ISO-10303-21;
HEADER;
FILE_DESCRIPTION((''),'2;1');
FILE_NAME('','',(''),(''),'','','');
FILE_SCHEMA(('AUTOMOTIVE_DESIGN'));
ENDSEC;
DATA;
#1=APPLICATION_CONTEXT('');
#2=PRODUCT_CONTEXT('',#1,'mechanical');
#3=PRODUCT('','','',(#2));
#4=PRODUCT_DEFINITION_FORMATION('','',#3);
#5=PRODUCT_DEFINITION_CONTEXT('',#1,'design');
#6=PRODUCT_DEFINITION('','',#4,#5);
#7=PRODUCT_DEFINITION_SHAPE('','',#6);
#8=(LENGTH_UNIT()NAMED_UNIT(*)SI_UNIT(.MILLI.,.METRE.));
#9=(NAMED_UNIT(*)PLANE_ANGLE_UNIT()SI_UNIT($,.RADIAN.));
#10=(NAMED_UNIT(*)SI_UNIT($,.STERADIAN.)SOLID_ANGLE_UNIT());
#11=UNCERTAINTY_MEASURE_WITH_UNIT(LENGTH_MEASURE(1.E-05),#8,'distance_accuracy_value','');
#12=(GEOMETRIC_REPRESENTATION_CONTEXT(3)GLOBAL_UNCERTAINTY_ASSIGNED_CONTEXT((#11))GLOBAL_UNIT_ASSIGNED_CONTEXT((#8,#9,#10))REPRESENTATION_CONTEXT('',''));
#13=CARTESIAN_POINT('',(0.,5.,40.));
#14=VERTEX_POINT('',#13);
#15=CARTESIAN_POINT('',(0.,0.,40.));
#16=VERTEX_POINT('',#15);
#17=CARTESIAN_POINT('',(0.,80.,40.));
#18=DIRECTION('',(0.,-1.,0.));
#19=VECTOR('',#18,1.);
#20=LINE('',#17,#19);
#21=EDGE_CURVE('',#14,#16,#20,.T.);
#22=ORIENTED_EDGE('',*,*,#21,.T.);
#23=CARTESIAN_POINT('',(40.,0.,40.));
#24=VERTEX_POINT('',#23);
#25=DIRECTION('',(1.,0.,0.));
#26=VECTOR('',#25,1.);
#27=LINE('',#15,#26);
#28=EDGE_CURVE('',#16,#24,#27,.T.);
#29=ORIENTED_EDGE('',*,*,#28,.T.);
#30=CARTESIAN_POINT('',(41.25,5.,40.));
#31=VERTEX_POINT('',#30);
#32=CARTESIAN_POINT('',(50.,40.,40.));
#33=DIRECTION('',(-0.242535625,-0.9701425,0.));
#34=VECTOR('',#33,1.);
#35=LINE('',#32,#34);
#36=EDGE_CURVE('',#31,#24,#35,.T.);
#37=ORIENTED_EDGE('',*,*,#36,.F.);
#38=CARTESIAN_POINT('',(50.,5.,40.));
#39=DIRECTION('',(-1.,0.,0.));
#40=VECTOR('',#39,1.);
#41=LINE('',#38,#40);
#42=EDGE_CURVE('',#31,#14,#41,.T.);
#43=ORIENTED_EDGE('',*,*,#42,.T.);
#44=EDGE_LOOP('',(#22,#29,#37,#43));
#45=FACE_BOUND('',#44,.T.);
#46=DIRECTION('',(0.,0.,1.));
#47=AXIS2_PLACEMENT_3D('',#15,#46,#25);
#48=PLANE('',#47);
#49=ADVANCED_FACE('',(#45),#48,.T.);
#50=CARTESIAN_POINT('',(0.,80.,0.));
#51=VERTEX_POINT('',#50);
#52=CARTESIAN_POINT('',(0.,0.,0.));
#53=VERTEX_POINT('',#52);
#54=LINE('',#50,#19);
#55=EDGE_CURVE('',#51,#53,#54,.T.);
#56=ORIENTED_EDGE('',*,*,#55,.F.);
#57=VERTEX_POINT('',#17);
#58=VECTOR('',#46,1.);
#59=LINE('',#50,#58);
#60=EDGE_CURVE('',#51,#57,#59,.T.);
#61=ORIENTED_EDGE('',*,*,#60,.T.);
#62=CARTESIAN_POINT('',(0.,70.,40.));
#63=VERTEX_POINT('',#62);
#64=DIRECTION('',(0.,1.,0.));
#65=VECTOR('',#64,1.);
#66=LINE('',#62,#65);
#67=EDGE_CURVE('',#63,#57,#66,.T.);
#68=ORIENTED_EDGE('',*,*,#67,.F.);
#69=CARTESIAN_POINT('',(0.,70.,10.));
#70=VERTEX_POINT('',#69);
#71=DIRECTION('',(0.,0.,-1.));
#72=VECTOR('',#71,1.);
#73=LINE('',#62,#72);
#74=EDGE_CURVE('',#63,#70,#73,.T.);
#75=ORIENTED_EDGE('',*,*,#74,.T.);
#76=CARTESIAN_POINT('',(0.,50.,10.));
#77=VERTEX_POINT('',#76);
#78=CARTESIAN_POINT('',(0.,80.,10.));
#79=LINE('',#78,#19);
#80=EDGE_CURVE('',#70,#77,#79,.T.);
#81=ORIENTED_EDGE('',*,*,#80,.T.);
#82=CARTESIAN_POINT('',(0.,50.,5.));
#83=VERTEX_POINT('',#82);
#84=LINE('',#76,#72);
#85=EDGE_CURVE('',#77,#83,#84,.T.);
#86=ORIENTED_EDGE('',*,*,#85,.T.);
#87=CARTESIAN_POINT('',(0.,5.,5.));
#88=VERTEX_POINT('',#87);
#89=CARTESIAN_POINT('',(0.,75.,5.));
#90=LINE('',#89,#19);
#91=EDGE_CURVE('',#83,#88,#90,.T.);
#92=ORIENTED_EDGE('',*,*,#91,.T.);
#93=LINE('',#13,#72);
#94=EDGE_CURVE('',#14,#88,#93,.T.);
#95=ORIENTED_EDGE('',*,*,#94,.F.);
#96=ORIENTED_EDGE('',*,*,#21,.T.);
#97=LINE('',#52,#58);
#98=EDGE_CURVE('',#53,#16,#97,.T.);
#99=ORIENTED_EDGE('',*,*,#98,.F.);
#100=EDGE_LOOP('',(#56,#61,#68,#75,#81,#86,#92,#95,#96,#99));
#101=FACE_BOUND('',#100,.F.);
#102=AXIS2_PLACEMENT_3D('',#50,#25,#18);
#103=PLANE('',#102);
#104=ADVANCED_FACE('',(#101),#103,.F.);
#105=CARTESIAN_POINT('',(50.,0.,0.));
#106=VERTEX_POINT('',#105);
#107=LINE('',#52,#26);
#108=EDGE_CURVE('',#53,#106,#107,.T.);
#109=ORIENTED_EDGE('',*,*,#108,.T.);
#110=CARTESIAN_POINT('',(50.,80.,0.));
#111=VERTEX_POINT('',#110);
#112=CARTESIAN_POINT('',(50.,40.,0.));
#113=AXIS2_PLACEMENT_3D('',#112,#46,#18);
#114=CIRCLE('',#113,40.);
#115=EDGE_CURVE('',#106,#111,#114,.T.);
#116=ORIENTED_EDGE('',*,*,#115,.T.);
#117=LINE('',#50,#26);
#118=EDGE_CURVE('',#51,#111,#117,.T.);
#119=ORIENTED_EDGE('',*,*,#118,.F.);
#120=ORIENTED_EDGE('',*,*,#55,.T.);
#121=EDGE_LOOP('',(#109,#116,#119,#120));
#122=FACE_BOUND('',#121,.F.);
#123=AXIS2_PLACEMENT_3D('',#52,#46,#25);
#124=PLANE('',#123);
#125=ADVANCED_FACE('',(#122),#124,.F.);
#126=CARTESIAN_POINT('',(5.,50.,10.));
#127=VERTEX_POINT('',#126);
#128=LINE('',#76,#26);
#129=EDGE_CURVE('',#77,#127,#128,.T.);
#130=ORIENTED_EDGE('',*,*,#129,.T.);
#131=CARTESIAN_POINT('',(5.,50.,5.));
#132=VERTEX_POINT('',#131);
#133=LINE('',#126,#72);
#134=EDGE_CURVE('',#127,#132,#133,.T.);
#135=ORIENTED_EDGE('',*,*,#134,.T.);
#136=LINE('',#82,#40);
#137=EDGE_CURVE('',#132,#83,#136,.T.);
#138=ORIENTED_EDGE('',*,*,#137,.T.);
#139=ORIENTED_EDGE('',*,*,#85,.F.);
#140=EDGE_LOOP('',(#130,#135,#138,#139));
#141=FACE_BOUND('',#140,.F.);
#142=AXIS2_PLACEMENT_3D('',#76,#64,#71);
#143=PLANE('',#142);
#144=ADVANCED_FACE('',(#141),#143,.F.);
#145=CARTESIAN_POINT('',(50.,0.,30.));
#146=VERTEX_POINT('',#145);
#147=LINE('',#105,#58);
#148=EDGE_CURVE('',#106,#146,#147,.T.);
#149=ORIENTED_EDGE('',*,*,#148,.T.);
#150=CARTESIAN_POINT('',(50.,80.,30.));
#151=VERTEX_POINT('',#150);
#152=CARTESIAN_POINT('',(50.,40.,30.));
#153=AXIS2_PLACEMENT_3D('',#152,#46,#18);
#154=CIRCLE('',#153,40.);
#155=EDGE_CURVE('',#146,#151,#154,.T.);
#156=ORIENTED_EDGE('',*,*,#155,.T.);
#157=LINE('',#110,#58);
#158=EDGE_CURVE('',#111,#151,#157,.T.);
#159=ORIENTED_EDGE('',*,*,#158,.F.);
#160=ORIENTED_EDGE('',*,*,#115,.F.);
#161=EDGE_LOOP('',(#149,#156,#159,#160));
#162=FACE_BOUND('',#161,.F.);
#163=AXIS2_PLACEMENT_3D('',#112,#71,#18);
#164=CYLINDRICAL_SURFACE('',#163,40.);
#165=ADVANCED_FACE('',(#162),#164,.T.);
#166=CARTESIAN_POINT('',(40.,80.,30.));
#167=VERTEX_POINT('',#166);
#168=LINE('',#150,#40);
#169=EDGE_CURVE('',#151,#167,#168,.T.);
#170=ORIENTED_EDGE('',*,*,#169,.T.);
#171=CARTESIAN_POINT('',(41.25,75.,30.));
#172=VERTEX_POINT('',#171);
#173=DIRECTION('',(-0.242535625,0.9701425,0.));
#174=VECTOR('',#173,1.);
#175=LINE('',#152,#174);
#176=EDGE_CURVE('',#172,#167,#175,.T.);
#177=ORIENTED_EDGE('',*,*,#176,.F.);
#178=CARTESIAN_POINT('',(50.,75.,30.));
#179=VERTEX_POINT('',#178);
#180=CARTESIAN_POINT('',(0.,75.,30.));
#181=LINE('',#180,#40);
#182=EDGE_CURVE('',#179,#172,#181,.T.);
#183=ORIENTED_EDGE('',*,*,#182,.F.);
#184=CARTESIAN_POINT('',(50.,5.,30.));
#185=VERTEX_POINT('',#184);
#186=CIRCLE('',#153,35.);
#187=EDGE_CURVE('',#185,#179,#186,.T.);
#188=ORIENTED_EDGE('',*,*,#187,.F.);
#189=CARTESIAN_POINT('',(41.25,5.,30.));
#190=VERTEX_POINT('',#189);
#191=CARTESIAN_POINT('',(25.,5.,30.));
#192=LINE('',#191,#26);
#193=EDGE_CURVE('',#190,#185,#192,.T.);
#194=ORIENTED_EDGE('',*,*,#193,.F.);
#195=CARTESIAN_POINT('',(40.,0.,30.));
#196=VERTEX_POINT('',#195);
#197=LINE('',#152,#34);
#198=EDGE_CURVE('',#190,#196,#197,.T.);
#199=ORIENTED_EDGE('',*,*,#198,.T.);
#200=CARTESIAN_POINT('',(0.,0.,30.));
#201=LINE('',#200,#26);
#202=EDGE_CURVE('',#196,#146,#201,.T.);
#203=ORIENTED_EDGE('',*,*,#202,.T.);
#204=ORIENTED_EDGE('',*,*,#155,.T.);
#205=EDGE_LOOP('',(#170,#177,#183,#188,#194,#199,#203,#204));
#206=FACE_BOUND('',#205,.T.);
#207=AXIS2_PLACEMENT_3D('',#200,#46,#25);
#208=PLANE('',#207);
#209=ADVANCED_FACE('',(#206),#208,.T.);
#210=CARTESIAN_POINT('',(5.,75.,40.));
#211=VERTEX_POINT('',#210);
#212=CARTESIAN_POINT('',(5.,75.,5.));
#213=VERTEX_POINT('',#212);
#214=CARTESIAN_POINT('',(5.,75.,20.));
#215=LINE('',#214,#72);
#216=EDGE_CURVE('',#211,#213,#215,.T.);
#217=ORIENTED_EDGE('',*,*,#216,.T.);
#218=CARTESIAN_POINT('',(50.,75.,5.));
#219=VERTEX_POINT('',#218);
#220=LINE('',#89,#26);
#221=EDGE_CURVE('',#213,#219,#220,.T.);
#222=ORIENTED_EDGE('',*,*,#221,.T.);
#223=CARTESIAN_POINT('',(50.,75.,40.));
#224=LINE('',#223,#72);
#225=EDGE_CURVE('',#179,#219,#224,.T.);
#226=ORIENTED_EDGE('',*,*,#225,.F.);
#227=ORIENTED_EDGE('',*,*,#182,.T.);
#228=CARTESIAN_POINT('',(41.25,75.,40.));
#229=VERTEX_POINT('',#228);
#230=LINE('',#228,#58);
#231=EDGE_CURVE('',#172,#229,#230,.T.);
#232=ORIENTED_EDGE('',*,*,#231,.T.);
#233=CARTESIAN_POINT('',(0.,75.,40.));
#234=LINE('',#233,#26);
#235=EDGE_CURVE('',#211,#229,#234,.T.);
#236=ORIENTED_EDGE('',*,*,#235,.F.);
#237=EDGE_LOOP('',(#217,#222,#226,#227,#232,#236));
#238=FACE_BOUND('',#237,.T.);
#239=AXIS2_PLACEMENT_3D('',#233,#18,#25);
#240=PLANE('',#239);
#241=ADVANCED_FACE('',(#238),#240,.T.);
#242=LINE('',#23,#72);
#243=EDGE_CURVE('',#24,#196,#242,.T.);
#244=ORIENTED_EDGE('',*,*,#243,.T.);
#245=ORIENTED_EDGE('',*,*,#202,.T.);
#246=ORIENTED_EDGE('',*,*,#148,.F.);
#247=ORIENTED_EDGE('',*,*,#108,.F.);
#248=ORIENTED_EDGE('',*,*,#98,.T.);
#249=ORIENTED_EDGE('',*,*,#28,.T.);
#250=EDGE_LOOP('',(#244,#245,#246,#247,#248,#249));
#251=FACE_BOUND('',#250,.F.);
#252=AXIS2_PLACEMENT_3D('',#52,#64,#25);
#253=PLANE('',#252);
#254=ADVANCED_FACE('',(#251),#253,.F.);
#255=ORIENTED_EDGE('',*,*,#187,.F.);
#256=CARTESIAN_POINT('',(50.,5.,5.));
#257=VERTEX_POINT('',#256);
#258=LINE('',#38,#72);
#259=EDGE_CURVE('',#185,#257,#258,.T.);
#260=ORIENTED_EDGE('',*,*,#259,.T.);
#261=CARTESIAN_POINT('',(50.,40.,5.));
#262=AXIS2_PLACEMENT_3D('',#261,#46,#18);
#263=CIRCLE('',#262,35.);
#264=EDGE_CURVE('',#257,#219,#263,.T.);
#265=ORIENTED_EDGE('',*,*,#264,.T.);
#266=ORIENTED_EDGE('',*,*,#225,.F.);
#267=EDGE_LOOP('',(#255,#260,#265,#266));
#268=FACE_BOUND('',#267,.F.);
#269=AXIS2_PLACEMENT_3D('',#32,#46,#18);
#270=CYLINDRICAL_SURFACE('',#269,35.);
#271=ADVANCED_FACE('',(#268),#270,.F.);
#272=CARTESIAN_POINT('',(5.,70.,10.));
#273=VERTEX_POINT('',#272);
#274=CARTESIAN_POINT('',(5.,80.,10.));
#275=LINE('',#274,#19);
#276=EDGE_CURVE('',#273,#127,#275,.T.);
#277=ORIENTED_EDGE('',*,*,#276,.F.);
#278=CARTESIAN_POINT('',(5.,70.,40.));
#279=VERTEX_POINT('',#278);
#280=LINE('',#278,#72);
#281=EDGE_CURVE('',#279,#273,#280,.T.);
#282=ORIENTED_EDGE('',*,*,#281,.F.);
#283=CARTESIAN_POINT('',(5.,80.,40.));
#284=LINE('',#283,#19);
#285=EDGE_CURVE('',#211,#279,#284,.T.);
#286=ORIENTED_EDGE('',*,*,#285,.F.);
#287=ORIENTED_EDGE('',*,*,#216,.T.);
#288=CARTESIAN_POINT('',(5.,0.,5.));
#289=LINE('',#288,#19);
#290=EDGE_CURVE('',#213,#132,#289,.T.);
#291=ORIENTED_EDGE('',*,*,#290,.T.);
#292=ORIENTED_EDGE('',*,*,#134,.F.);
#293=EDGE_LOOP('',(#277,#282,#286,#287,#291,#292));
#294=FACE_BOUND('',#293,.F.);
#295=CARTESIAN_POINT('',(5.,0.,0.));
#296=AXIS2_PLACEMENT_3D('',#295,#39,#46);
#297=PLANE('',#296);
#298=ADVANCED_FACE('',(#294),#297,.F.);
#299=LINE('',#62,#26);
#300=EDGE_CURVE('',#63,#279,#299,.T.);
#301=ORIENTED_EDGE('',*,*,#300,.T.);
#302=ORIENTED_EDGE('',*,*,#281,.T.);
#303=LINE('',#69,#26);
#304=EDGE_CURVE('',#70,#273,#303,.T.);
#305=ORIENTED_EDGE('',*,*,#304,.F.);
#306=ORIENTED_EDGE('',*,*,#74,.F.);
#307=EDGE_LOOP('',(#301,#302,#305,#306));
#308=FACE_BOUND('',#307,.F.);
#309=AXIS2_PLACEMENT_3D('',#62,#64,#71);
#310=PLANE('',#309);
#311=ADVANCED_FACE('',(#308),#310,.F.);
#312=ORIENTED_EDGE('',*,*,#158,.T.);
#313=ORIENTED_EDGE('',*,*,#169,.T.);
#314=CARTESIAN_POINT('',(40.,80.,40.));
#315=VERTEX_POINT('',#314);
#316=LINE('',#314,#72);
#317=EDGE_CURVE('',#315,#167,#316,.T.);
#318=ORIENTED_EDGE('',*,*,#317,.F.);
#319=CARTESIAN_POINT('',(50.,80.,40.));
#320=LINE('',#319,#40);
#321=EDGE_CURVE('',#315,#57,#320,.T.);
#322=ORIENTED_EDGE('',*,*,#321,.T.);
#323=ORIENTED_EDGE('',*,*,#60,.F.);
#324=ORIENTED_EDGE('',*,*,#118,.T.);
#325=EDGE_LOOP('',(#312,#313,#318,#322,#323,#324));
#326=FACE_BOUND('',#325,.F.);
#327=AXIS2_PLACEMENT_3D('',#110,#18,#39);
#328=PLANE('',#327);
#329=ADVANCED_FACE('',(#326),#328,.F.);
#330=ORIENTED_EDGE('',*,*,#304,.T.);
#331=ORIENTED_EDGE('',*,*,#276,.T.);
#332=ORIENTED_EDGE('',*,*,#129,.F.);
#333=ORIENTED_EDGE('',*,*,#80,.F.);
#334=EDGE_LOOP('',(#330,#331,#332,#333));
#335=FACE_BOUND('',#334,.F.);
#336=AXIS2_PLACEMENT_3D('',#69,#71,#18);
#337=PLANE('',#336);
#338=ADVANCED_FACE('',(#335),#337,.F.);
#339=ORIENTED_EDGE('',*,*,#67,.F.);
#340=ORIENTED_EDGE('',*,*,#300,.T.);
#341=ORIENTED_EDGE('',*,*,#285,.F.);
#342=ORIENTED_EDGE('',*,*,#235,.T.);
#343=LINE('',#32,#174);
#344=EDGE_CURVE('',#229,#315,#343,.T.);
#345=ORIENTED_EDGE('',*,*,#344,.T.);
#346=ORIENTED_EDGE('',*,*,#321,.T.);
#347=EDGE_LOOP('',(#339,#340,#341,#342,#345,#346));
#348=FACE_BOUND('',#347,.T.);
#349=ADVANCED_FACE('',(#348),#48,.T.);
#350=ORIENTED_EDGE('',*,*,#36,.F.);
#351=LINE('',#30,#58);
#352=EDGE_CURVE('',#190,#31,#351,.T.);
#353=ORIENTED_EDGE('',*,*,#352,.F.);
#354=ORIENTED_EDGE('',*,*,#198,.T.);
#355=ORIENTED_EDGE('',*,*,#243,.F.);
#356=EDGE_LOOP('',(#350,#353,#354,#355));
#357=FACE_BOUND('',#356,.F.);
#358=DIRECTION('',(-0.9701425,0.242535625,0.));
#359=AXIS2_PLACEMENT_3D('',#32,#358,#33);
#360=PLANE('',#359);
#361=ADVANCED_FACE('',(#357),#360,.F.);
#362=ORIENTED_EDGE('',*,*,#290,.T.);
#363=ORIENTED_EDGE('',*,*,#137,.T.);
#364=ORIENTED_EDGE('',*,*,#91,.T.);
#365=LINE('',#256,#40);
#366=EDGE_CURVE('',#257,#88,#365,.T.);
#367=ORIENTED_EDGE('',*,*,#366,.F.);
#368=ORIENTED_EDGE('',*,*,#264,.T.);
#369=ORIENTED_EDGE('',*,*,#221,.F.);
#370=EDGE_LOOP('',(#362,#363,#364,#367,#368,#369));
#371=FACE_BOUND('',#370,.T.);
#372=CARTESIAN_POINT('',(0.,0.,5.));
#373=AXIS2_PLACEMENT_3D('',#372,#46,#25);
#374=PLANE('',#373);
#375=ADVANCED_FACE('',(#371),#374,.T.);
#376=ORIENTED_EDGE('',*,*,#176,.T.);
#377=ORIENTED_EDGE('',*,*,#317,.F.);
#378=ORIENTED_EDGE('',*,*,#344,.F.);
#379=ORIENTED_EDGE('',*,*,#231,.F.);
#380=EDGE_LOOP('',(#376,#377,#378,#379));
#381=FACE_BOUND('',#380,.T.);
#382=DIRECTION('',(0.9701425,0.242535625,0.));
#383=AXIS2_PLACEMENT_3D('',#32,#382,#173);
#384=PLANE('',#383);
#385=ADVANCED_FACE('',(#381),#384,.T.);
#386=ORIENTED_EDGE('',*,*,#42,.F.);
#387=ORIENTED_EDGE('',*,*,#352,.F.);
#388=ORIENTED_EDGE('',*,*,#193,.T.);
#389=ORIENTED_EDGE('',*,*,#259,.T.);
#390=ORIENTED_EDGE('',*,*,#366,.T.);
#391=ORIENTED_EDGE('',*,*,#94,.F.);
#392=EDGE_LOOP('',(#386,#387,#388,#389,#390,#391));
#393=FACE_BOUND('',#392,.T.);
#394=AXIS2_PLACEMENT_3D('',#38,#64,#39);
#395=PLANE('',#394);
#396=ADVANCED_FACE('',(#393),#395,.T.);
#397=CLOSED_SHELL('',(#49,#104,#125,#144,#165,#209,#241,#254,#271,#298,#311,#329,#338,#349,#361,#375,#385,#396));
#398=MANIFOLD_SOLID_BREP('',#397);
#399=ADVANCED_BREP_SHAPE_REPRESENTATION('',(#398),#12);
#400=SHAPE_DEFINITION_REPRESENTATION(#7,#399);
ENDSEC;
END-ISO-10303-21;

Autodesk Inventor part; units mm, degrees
ref_plane "YZ Plane" through (0, 0, 0) normal (1, 0, 0) x (0, 1, 0)
ref_plane "XZ Plane" through (0, 0, 0) normal (0, 1, 0) x (-1, 0, 0)
ref_plane "XY Plane" through (0, 0, 0) normal (0, 0, 1) x (1, 0, 0)
sketch "Sketch1" plane through (0, 0, 0) normal (0, 0, 1) x (1, 0, 0)
  line L0 (0, 0) -> (50, 0)
  line L1 (50, 0) -> (50, 80) construction
  line L2 (50, 80) -> (0, 80)
  line L3 (0, 80) -> (0, 0)
  circle A0 centre (50, 40) radius 40 construction
  arc A1 (50, 0) -> (50, 80) centre (50, 40) ccw
  dimension "d0" = 50
  dimension "d1" = 80
  dimension "d2" = 80
extrude "Extrusion1" add sketch "Sketch1" along normal blind 40
sketch "Sketch2" plane through (0, 0, 40) normal (0, 0, 1) x (1, 0, 0)
  line L0 (50, 80) -> (0, 80) projected
  arc A0 (50, 0) -> (50, 80) centre (50, 40) ccw projected
  line L1 (0, 0) -> (50, 0) projected
  line L2 (0, 75) -> (50, 75)
  arc A1 (50, 5) -> (50, 75) centre (50, 40) ccw
  line L3 (50, 5) -> (0, 5)
  line L4 (0, 75) -> (0, 5)
  line L5 (0, 80) -> (0, 0) projected
  dimension "d5" = 5
extrude "Extrusion2" cut sketch "Sketch2" against normal blind 35 contours L2 A1 L3 L4
sketch "Sketch3" plane through (0, 0, 0) normal (-1, 0, 0) x (0, 0, 1)
  line L0 (0, 80) -> (0, 0) projected
  line L1 (40, 75) -> (40, 5) projected
  line L2 (0, 80) -> (40, 80)
  line L3 (40, 80) -> (40, 70)
  line L4 (40, 70) -> (0, 70)
  line L5 (0, 70) -> (0, 80)
  line L6 (0, 80) -> (10, 80)
  line L7 (10, 80) -> (10, 50)
  line L8 (10, 50) -> (0, 50)
  line L9 (0, 50) -> (0, 80)
  line L10 (0, 0) -> (40, 0) projected
  dimension "d8" = 10
  dimension "d9" = 10
  dimension "d10" = 50
extrude "Extrusion3" add sketch "Sketch3" against normal blind 5
sketch "Sketch4" plane through (0, 0, 40) normal (0, 0, 1) x (1, 0, 0)
  line L0 (50, 80) -> (50, 0)
  arc A0 (50, 0) -> (50, 80) centre (50, 40) ccw projected
  arc A1 (50, 0) -> (50, 80) centre (50, 40) ccw projected
  arc A2 (50, 0) -> (50, 80) centre (50, 40) ccw
  line L1 (50, 40) -> (40, 80)
  line L2 (50, 80) -> (0, 80) projected
  line L3 (40, 80) -> (50, 80)
  line L4 (50, 40) -> (40, 0)
  line L5 (0, 0) -> (50, 0) projected
  line L6 (40, 0) -> (50, 0)
  dimension "d15" = 10
extrude "Extrusion4" cut sketch "Sketch4" against normal blind 10
properties part number "FA004" material "ABS Plastic"
